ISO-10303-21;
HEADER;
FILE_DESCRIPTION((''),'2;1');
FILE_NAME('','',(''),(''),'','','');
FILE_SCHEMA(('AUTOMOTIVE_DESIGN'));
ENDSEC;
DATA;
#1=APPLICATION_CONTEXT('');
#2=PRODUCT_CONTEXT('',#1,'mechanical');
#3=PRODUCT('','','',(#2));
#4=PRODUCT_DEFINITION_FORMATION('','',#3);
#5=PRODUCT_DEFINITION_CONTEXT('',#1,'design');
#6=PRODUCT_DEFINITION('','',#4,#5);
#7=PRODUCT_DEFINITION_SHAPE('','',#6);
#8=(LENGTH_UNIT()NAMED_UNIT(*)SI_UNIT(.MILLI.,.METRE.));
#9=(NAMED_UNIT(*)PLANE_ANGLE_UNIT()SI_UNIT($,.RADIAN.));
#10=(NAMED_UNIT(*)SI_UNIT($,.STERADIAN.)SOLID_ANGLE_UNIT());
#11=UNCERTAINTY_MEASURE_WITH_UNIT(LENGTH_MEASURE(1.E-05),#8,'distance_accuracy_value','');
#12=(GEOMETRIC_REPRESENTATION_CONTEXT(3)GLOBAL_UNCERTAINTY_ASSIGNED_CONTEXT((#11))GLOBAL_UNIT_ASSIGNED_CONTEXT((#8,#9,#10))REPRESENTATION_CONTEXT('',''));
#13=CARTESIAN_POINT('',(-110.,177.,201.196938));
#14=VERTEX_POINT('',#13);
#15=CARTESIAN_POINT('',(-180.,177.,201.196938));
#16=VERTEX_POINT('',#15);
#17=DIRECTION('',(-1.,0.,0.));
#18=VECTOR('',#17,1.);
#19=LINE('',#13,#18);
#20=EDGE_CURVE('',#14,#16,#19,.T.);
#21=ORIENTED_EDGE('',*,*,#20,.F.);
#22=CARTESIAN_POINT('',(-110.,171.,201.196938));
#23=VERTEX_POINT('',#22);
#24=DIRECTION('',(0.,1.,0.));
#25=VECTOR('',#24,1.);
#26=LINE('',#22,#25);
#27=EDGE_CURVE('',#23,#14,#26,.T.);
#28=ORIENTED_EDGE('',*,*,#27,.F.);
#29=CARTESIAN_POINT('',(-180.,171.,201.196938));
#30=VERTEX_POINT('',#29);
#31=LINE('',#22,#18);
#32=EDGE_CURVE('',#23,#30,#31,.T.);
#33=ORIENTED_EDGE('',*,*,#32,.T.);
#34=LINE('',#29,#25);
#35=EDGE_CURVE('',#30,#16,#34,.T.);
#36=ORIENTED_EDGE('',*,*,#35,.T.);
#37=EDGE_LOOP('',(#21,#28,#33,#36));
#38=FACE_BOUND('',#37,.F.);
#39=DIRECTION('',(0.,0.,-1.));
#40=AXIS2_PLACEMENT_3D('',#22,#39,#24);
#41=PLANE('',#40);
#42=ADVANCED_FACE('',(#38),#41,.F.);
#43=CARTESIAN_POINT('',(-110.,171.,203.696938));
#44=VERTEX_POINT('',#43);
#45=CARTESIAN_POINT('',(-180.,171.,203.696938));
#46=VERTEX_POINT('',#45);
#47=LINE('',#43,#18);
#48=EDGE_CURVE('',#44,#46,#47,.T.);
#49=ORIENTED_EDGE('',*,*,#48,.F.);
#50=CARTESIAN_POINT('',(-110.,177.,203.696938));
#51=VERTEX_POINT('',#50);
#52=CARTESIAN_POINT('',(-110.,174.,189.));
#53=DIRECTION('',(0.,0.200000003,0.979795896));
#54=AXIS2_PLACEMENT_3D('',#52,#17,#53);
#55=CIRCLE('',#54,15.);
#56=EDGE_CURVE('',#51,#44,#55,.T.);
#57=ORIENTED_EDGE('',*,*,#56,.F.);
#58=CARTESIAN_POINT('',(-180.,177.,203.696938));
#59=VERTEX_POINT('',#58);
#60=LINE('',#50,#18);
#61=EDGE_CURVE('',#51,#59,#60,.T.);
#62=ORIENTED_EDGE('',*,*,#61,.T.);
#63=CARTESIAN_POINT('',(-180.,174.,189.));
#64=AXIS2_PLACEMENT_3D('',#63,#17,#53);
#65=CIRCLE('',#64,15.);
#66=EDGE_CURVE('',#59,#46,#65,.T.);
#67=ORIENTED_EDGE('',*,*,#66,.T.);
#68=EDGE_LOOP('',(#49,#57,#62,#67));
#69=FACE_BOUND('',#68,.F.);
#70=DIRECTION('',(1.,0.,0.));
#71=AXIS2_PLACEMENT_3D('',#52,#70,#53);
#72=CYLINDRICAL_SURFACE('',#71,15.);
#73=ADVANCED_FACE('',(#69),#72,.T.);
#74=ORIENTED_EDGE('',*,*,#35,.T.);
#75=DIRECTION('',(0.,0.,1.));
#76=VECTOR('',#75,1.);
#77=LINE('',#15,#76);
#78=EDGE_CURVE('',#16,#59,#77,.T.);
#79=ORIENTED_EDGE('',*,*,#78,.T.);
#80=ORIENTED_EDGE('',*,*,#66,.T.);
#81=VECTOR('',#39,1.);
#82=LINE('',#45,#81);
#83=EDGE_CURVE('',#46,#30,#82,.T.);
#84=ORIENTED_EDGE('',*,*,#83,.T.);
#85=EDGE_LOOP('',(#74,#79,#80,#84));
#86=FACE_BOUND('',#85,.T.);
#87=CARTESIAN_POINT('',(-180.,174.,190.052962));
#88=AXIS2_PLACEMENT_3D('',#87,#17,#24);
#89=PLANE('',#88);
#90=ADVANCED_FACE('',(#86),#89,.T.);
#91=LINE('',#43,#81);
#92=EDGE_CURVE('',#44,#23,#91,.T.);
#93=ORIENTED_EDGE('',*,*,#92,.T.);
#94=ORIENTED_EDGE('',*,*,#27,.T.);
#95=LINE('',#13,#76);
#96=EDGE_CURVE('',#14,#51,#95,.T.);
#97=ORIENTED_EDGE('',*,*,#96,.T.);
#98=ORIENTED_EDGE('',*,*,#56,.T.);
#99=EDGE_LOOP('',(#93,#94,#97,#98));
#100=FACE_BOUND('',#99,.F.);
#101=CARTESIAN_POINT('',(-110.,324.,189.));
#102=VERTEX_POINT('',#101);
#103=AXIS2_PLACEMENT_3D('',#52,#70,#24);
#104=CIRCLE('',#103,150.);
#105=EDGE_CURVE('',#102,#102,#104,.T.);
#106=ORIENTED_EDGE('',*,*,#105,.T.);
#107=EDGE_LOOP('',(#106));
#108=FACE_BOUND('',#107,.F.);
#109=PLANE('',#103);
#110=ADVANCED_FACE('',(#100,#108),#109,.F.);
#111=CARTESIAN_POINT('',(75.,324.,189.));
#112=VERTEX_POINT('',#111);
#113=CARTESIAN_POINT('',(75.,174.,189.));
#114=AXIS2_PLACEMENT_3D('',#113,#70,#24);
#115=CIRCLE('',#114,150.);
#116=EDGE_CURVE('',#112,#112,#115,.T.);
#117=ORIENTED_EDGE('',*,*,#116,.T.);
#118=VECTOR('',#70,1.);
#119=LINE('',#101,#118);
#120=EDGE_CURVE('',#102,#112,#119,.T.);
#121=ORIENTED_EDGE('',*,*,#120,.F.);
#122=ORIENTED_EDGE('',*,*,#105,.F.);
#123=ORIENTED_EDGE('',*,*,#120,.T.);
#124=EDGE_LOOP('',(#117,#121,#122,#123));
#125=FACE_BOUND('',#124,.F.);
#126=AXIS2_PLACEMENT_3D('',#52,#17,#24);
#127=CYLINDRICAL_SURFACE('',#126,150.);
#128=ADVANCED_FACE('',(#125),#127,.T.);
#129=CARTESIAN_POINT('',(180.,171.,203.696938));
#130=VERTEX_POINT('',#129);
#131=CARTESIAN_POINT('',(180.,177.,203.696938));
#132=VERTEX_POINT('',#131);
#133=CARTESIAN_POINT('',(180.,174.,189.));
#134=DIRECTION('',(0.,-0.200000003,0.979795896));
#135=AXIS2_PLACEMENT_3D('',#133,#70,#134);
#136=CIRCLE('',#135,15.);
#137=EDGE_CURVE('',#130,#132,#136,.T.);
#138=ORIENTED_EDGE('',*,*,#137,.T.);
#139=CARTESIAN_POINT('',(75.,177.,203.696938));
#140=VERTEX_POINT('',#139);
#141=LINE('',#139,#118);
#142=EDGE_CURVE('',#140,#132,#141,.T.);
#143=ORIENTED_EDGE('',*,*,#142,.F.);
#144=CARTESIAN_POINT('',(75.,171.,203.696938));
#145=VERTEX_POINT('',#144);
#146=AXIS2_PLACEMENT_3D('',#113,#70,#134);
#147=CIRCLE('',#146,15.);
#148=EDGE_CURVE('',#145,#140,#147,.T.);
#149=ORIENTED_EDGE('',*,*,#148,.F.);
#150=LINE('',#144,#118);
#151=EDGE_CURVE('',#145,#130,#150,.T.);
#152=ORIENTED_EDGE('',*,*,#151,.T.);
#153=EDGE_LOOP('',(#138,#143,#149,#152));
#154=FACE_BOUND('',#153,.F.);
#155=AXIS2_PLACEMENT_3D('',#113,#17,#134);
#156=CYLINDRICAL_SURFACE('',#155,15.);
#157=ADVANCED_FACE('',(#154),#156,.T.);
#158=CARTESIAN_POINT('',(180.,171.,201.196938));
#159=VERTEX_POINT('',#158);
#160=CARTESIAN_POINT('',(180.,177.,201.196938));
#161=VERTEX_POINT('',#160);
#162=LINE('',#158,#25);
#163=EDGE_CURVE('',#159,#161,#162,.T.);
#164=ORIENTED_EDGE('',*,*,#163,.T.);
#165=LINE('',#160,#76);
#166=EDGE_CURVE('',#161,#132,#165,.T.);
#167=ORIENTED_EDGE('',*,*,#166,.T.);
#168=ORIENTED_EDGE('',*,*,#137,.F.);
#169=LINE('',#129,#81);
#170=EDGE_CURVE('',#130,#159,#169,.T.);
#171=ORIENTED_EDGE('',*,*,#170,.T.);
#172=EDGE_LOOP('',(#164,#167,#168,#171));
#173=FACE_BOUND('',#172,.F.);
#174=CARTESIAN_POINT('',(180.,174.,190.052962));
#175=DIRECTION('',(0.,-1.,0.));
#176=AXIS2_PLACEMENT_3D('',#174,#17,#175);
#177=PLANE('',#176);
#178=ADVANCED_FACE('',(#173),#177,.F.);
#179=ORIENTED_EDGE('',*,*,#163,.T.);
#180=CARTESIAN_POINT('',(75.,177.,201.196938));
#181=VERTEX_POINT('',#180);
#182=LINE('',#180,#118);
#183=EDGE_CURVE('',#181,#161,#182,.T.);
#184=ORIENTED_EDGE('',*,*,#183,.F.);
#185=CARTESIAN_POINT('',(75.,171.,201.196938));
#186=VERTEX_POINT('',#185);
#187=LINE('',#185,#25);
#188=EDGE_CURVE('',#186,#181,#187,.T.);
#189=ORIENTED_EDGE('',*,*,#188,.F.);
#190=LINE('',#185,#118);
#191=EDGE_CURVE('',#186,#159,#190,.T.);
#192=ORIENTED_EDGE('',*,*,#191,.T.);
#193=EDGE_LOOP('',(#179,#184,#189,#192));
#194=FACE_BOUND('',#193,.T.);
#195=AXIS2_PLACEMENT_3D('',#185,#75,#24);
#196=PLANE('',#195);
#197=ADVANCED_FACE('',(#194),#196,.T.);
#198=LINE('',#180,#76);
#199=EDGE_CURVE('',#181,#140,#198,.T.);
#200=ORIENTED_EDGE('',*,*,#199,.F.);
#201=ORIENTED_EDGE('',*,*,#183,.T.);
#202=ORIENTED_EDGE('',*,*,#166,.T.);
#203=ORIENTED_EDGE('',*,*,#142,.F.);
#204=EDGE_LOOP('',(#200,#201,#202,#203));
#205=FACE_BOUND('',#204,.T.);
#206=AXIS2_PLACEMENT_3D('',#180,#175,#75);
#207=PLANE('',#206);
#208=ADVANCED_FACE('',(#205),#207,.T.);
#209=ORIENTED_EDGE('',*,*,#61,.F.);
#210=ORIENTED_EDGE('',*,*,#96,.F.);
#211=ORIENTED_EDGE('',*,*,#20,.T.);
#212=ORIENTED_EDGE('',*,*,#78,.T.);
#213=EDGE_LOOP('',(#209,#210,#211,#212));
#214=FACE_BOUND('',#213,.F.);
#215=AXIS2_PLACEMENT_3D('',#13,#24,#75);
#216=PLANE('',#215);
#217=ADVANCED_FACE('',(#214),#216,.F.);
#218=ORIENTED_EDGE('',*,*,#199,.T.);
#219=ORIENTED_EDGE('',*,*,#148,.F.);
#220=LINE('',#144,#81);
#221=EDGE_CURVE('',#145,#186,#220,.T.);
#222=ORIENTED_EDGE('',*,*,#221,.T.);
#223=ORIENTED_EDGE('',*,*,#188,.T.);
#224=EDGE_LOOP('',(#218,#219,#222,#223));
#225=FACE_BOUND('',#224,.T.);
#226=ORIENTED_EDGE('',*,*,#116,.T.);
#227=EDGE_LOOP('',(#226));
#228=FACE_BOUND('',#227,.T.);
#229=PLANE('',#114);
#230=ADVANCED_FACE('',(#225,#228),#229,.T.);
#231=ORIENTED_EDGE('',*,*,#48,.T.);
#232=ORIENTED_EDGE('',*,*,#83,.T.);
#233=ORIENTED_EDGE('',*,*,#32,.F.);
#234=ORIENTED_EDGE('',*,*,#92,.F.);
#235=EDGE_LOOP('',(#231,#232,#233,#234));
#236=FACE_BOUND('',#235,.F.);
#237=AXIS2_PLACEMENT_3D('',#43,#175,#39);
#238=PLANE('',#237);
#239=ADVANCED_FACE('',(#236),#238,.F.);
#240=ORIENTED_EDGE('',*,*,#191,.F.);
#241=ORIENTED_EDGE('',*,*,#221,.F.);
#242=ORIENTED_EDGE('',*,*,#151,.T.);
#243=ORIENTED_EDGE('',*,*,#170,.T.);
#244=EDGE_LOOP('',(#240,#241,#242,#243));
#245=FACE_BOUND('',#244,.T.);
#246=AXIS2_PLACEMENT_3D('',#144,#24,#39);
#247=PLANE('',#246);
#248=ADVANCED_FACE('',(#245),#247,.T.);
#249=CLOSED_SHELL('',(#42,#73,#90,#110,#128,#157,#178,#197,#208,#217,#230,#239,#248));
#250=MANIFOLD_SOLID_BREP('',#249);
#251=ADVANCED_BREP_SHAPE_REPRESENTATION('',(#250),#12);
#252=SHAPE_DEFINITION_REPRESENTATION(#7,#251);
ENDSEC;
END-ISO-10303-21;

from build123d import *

# Parameters (mm, degrees)
SKETCH002_R  = 150
PAD002_DEPTH = 185
PAD003_DEPTH = 105
PAD004_DEPTH = 70


with BuildPart() as part:
    # Sketch002 → Pad002 (new body)
    with BuildSketch(Plane.YZ):
        Circle(SKETCH002_R)
    extrude(amount=PAD002_DEPTH)

    # Sketch003 (on Face3 of Pad002) → Pad003 (join)
    with BuildSketch(Plane.YZ.offset(185)):
        with BuildLine():
            Line((-3, 14.696938), (-3, 12.196938))
            Line((-3, 12.196938), (3, 12.196938))
            Line((3, 12.196938), (3, 14.696938))
            ThreePointArc((-3, 14.696938), (0, -15), (3, 14.696938))
        make_face()
    extrude(amount=PAD003_DEPTH)

    # Sketch004 (on Face2 of Pad003) → Pad004 (join)
    with BuildSketch(Plane(origin=(0, 0, 0), x_dir=(0, 1, 0), z_dir=(-1, 0, 0))):
        with BuildLine():
            Line((-3, -14.696938), (-3, -12.196938))
            Line((-3, -12.196938), (3, -12.196938))
            Line((3, -12.196938), (3, -14.696938))
            ThreePointArc((3, -14.696938), (0, 15), (-3, -14.696938))
        make_face()
    extrude(amount=PAD004_DEPTH)


with BuildPart() as part_1:
    # Body001 placement: moved
    add(part.part.moved(Location((-110, 174, 189))))


solid = part_1.part
